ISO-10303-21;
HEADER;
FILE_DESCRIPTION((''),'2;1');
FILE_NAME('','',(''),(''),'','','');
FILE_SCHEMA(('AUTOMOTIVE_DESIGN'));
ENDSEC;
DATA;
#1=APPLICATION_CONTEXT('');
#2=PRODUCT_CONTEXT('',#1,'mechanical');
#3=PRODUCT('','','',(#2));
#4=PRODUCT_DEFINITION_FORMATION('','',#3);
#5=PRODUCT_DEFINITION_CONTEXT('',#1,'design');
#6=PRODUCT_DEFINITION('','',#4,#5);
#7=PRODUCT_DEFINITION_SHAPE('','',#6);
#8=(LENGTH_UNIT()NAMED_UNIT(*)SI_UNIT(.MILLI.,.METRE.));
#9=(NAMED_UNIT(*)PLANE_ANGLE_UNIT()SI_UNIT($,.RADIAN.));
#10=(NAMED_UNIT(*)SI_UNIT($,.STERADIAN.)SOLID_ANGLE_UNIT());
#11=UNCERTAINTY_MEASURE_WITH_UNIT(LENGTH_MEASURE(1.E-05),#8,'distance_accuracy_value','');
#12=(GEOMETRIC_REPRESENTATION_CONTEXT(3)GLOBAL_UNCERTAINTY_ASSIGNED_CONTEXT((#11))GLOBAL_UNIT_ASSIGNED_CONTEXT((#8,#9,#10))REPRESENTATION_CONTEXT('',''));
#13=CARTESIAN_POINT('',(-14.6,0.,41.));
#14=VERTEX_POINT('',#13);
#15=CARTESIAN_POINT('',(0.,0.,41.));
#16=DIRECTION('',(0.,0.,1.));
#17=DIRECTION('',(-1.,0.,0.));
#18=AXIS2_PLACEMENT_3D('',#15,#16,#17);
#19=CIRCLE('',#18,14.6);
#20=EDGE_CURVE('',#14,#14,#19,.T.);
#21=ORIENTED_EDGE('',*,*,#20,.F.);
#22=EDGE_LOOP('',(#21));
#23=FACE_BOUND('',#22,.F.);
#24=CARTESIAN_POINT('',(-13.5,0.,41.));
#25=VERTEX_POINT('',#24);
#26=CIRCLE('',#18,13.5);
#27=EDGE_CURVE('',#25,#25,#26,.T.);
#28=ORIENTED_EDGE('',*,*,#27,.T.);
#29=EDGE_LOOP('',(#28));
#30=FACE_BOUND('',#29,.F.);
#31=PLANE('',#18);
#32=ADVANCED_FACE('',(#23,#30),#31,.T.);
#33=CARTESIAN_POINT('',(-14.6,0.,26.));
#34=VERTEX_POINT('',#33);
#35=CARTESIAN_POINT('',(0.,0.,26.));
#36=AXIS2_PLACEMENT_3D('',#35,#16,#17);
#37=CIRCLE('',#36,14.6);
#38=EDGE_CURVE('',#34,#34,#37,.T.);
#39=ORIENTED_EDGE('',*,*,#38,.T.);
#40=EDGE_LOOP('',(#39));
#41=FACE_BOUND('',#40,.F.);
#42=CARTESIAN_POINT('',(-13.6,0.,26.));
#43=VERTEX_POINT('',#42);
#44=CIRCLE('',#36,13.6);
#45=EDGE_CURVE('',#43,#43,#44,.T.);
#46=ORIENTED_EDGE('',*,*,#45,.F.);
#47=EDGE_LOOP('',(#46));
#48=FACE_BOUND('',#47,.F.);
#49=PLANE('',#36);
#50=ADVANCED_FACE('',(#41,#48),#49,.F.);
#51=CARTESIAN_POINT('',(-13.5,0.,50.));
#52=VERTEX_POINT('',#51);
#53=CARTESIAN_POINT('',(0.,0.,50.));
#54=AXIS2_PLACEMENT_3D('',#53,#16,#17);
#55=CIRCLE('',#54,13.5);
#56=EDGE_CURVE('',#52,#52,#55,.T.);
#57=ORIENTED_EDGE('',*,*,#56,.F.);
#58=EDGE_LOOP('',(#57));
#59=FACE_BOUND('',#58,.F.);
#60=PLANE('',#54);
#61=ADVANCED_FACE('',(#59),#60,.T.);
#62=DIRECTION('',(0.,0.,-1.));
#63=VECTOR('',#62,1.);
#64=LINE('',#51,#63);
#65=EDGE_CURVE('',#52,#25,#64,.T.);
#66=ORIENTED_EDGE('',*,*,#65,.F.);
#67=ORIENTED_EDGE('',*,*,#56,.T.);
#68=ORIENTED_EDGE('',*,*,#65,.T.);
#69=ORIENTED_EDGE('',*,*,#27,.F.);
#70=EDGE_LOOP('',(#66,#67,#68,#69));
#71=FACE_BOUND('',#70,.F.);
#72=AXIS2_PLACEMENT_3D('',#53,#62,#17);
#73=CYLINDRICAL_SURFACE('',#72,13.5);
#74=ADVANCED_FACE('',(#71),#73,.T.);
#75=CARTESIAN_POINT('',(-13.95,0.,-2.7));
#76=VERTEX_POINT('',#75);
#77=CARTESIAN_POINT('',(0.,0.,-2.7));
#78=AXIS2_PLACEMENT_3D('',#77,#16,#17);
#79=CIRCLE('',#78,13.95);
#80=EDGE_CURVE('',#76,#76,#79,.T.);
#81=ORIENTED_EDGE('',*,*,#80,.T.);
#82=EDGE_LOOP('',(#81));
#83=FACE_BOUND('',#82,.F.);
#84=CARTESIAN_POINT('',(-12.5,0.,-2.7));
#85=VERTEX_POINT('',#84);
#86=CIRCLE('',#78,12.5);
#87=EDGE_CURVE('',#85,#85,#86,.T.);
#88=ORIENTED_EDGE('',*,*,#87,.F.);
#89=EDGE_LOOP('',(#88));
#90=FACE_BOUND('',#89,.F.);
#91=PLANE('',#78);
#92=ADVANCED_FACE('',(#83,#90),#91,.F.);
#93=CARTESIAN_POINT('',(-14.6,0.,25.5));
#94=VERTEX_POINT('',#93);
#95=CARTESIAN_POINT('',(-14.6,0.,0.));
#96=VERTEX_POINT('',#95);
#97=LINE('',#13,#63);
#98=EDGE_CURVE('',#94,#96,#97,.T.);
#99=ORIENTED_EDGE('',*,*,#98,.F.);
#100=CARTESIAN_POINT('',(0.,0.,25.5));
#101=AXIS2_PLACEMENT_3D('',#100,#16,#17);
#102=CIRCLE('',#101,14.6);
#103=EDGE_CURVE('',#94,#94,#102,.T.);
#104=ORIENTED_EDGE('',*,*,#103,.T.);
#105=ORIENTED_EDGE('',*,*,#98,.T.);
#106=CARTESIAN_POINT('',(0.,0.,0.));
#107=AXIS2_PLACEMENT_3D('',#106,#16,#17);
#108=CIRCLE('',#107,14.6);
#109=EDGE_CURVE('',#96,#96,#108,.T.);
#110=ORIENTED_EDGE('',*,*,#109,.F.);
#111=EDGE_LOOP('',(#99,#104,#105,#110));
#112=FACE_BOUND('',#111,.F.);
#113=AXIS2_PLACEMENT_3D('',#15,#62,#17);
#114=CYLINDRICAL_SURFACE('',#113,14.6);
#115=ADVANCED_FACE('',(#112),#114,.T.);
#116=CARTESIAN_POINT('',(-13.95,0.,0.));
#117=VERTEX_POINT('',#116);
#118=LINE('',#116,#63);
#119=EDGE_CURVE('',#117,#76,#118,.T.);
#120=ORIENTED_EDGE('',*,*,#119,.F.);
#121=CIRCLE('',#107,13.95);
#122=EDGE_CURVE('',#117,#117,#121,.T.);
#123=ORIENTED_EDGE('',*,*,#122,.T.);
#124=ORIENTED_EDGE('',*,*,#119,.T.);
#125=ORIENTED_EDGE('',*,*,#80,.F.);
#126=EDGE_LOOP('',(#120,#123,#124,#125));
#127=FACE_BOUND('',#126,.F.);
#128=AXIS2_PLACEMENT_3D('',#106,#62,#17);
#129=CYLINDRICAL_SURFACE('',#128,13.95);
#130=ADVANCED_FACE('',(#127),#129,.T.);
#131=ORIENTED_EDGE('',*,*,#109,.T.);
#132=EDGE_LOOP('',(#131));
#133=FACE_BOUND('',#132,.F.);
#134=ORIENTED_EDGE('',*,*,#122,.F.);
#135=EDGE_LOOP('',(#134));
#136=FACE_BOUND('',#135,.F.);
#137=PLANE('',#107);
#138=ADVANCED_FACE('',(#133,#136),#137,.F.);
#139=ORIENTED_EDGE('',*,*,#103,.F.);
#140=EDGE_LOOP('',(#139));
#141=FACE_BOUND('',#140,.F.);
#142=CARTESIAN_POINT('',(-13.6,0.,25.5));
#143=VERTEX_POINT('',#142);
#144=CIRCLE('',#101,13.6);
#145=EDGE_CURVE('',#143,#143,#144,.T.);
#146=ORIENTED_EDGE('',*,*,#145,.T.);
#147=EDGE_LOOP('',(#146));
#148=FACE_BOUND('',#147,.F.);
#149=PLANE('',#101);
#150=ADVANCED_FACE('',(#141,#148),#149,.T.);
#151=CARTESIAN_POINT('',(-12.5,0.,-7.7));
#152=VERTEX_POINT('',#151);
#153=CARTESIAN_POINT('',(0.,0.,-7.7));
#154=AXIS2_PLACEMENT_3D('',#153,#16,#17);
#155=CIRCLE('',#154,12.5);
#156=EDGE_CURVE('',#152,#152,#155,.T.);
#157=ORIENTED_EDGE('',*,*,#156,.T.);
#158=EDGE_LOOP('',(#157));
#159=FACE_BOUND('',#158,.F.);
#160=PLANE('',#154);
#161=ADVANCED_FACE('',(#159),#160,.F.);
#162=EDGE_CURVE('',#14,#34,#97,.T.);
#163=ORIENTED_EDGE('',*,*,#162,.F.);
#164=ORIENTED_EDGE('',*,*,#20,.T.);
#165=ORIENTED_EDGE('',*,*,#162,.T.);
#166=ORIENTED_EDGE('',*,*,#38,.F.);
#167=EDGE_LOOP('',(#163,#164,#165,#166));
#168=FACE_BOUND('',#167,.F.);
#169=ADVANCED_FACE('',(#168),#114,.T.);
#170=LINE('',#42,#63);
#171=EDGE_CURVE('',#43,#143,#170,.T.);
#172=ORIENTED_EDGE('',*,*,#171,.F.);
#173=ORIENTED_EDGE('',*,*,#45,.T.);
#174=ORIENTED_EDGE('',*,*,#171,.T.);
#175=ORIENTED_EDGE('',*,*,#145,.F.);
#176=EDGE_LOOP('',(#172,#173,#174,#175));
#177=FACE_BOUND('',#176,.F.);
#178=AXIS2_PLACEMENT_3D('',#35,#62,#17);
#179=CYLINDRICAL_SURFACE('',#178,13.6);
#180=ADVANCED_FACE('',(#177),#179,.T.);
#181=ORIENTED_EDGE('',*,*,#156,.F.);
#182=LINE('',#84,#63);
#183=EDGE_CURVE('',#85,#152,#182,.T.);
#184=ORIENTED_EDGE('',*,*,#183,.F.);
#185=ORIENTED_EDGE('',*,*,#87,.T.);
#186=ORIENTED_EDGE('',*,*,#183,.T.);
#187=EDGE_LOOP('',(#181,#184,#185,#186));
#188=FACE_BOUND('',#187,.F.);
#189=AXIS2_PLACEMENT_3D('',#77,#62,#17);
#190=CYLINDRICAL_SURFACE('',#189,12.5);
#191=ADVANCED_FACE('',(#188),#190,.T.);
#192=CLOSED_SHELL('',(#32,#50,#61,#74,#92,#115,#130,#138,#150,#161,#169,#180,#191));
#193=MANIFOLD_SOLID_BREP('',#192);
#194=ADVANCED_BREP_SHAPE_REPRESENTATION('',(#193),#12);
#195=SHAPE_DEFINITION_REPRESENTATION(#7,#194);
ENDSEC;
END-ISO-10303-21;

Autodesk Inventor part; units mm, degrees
ref_plane "YZ Plane" through (0, 0, 0) normal (1, 0, 0) x (0, 1, 0)
ref_plane "XZ Plane" through (0, 0, 0) normal (0, 1, 0) x (-1, 0, 0)
ref_plane "XY Plane" through (0, 0, 0) normal (0, 0, 1) x (1, 0, 0)
sketch "Skizze1" plane through (0, 0, 0) normal (0, 1, 0) x (-1, 0, 0)
  line L0 (0, 50) -> (13.5, 50)
  line L1 (13.5, 50) -> (13.5, 41)
  line L2 (13.5, 41) -> (14.6, 41)
  line L3 (14.6, 41) -> (14.6, 0)
  line L4 (14.6, 0) -> (0, 0)
  line L5 (0, 0) -> (0, 50)
  line L6 (14.6, 26) -> (13.6, 26)
  line L7 (13.6, 26) -> (13.6, 25.5)
  line L8 (13.6, 25.5) -> (14.6, 25.5)
  line L9 (14.6, 25.5) -> (14.6, 26)
  line L10 (0, 0) -> (13.95, 0)
  line L11 (13.95, 0) -> (13.95, -2.7)
  line L12 (13.95, -2.7) -> (0, -2.7)
  line L13 (0, -2.7) -> (0, 0)
  line L14 (0, -2.7) -> (12.5, -2.7)
  line L15 (12.5, -2.7) -> (12.5, -7.7)
  line L16 (12.5, -7.7) -> (0, -7.7)
  line L17 (0, -7.7) -> (0, -2.7)
  point P0 (14.1, 25.5)
  point P1 (13.6, 25.75)
  point P2 (14.1, 26)
  point P3 (14.05, 41)
  point P4 (13.95, 0)
  dimension "d0" = 13.5
  dimension "d1" = 9
  dimension "d2" = 90
  dimension "d3" = 1.1
  dimension "d4" = 270
  dimension "d5" = 0.5
  dimension "d6" = 1
  dimension "d7" = 15
  dimension "d9" = 13.95
  dimension "d10" = 2.7
  dimension "d13" = 12.5
  dimension "d14" = 5
revolve "Umdrehung1" add sketch "Skizze1" angle 360 about axis through (0, 0, 0) along (0, 0, 1) contours L0 L1 L2 L3 L6 L7 L8 L4 L5 | L4 L11 L12 L13 | L12 L15 L16 L17
thread "Gewinde1" size "M25x2" class "6g" standard "ANSI Metric M Profile" full length
properties part number "00_CCTV_Lens_Hikvision_50mm_2.8"
